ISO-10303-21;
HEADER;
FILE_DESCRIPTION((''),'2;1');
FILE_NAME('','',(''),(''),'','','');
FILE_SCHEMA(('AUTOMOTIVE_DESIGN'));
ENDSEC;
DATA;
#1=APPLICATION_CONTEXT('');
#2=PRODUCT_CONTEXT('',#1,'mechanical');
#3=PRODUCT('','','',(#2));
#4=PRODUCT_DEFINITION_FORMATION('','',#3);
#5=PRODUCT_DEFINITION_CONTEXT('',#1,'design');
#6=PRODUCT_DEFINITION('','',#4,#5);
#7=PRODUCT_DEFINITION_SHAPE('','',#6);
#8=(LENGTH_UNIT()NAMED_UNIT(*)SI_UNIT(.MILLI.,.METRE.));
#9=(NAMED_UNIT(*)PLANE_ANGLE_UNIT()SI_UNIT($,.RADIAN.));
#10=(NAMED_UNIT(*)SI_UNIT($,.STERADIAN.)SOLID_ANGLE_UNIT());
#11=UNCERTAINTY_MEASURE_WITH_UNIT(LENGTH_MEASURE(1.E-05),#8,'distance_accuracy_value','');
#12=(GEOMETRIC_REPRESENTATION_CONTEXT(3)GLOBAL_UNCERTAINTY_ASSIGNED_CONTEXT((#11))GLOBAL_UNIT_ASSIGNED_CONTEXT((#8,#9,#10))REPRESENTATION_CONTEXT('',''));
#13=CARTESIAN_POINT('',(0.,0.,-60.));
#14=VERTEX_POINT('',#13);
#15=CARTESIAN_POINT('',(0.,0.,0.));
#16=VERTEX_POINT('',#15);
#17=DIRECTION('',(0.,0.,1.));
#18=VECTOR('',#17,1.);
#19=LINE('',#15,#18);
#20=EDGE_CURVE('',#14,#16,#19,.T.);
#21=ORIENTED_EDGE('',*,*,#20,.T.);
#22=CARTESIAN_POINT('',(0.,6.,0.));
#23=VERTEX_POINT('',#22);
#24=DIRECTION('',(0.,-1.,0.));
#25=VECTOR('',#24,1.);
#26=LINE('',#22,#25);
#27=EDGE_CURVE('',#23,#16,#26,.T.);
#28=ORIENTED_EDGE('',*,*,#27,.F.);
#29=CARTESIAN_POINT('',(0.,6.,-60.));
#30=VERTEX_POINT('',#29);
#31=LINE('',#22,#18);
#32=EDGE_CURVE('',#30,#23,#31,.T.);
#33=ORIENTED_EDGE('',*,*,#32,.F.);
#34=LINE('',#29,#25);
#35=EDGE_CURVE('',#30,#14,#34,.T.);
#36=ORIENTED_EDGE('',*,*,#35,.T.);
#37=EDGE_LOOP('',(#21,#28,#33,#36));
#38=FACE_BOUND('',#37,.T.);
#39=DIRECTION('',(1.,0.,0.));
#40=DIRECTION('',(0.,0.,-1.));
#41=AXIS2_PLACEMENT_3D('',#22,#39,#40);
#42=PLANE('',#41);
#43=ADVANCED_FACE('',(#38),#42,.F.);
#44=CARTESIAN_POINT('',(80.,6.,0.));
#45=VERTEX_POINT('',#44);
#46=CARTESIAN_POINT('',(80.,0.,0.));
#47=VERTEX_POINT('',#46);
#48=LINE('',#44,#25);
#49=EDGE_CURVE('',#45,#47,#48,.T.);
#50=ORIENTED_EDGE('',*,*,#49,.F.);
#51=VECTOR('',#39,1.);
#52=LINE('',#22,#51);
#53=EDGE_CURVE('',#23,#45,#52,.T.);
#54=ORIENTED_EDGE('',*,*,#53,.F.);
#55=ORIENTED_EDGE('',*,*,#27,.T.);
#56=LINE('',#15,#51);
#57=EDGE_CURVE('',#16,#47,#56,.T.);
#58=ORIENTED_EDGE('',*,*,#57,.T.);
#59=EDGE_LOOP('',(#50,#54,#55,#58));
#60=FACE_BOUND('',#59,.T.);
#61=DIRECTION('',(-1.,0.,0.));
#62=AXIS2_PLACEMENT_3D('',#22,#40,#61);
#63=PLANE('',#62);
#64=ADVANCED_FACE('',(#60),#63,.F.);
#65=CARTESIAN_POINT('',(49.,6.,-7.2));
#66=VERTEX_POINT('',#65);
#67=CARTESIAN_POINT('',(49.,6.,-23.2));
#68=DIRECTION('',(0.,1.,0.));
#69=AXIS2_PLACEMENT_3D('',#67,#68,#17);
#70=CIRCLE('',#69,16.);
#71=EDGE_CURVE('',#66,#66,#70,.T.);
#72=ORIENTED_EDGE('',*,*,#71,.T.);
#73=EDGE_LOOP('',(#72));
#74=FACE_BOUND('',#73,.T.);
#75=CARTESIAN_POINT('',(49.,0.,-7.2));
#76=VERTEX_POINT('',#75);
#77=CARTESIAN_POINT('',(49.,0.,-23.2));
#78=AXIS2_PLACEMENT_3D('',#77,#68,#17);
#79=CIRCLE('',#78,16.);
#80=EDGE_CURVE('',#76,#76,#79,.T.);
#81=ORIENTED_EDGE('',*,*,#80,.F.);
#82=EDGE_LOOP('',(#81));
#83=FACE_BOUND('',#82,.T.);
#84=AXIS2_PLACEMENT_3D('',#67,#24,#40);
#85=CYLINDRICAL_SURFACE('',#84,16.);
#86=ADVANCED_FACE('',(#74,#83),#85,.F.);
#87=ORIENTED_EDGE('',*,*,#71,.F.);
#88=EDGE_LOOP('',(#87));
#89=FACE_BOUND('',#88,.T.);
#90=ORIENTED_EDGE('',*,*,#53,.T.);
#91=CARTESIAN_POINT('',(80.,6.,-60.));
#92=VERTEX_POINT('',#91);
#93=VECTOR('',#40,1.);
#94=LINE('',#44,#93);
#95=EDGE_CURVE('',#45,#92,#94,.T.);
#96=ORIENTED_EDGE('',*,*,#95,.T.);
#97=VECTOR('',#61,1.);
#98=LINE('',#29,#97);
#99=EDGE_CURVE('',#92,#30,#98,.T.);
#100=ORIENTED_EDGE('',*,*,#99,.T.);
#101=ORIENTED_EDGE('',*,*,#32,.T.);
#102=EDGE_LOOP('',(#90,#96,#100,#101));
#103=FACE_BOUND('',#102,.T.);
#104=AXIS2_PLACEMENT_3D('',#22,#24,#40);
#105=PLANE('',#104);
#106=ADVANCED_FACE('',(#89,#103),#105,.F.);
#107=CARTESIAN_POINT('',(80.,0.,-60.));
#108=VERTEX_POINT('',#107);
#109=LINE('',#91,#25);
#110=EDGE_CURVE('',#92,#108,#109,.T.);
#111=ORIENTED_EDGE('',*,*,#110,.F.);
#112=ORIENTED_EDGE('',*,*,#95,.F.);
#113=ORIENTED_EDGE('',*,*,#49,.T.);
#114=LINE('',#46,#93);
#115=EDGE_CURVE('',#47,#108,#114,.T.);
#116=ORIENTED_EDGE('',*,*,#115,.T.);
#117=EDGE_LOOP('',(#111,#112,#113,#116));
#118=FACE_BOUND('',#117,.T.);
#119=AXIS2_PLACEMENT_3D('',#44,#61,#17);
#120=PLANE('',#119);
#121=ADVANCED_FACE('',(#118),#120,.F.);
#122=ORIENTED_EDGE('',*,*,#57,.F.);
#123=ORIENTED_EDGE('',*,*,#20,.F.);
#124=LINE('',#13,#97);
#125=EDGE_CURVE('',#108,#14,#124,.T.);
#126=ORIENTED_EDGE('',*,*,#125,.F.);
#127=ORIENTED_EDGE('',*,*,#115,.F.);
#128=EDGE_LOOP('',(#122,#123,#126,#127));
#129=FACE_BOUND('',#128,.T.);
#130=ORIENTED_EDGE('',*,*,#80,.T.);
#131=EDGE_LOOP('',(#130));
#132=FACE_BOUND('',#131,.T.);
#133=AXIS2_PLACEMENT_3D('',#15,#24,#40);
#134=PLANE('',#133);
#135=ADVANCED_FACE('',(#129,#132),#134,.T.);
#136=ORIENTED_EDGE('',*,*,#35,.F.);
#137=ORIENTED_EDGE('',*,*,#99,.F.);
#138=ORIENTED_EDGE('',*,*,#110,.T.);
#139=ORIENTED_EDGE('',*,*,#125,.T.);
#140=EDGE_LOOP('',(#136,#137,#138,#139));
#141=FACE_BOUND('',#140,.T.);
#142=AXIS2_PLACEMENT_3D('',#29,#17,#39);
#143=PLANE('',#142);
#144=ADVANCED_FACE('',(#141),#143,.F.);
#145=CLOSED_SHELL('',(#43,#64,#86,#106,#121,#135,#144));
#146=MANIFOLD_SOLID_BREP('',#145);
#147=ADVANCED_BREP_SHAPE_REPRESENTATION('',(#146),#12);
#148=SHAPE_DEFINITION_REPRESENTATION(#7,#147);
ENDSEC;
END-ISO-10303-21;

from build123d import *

# Parameters (mm, degrees)
SKETCH1_W           = 80
SKETCH1_H           = 60
SKETCH1_R           = 16
BOSS_EXTRUDE1_DEPTH = 6


with BuildPart() as part:
    # Sketch1 → Boss-Extrude1 (new body)
    with BuildSketch(Plane(origin=(0, 0, 0), x_dir=(1, 0, 0), z_dir=(0, 1, 0))):
        with Locations((40, 30)):
            Rectangle(SKETCH1_W, SKETCH1_H)
        with Locations((49, 23.2)):
            Circle(SKETCH1_R, mode=Mode.SUBTRACT)
    extrude(amount=BOSS_EXTRUDE1_DEPTH)


solid = part.part
